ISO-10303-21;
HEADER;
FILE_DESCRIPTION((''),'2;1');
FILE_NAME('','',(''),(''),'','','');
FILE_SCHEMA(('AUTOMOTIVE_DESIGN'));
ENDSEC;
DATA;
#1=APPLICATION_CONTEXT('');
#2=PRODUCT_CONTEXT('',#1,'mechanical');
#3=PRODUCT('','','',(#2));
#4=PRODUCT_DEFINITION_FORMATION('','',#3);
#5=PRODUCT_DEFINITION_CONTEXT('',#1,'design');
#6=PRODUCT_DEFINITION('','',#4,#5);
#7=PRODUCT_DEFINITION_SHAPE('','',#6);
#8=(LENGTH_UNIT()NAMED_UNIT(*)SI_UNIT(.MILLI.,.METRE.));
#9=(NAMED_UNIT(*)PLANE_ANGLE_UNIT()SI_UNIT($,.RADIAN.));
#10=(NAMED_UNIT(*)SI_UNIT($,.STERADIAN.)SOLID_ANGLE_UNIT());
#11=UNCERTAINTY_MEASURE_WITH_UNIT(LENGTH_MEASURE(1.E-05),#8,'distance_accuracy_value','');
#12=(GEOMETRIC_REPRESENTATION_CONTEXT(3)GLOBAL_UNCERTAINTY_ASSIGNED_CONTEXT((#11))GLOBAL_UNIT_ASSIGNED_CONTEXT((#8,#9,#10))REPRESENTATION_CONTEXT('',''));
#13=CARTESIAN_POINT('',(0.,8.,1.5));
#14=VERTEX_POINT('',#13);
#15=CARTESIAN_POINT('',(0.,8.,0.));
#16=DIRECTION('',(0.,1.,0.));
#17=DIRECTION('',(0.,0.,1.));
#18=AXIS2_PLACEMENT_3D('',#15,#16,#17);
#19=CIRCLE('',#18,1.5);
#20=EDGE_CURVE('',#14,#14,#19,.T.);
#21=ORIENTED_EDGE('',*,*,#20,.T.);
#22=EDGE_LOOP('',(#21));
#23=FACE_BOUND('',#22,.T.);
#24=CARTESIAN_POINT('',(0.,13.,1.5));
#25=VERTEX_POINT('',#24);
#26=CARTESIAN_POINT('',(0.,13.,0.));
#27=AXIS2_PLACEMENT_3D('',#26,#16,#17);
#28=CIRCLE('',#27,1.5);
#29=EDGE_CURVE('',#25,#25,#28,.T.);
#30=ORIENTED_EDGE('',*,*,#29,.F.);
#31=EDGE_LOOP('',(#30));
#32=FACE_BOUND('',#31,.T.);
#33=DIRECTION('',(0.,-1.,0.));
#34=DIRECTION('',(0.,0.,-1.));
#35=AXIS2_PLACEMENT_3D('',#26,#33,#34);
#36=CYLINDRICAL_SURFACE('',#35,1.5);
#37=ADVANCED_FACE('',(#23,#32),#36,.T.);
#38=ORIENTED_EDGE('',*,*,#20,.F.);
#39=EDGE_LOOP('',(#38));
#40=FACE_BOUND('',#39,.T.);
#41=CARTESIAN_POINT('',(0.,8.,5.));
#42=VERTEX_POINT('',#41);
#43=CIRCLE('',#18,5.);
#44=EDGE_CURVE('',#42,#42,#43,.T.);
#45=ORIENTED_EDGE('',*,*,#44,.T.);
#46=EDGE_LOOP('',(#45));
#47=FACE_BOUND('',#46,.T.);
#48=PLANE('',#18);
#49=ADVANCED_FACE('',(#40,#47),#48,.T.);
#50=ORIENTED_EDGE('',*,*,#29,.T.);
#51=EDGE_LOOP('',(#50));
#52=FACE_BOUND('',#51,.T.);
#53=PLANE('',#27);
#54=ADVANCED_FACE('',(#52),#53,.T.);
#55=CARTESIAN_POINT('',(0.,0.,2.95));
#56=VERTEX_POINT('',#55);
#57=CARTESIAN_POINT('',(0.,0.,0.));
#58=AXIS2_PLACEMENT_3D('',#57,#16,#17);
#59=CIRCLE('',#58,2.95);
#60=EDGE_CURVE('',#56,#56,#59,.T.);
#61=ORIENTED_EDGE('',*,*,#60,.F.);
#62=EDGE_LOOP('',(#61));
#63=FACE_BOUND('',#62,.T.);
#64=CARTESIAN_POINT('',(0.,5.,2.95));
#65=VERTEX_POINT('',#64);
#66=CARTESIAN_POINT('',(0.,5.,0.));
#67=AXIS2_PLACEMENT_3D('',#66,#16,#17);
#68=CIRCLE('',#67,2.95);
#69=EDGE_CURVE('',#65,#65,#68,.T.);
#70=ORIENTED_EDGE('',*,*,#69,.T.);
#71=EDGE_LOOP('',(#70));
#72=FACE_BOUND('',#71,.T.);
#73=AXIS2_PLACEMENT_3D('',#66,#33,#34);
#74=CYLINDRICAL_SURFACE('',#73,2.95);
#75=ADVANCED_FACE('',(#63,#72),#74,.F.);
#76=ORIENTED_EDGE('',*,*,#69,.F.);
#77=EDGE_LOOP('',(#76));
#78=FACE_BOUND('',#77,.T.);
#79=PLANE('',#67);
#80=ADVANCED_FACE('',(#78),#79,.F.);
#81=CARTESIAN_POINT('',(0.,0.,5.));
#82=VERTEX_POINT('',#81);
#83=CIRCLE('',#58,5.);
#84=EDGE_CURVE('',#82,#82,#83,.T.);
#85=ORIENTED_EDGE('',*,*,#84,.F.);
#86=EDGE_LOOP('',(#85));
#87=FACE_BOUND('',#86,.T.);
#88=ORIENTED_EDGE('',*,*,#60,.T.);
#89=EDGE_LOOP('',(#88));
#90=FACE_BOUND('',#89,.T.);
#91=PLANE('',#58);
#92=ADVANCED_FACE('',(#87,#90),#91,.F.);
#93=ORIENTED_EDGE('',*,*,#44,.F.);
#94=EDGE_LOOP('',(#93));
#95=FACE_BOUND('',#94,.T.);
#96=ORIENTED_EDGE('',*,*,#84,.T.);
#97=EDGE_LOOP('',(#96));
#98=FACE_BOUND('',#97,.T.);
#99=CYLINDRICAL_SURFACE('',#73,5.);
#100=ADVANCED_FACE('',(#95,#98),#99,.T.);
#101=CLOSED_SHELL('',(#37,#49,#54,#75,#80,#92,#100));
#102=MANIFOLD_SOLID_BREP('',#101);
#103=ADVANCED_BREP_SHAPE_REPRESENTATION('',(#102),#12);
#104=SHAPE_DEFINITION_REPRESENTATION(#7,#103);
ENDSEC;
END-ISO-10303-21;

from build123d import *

# Parameters (mm, degrees)
SKETCH1_R           = 5
SKETCH1_R_2         = 2.95
BOSS_EXTRUDE1_DEPTH = 5
SKETCH2_R           = 5
BOSS_EXTRUDE2_DEPTH = 3
SKETCH3_R           = 1.5
BOSS_EXTRUDE3_DEPTH = 5


with BuildPart() as part:
    # Sketch1 → Boss-Extrude1 (new body)
    with BuildSketch(Plane(origin=(0, 0, 0), x_dir=(1, 0, 0), z_dir=(0, 1, 0))):
        with Locations(Location((0, 0, 0), (0, 0, 270))):
            Circle(SKETCH1_R)
        with Locations(Location((0, 0, 0), (0, 0, 270))):
            Circle(SKETCH1_R_2, mode=Mode.SUBTRACT)
    extrude(amount=BOSS_EXTRUDE1_DEPTH)

    # Sketch2 → Boss-Extrude2 (add)
    with BuildSketch(Plane(origin=(0, 5, 0), x_dir=(1, 0, 0), z_dir=(0, 1, 0))):
        with Locations(Location((0, 0, 0), (0, 0, 270))):
            Circle(SKETCH2_R)
    extrude(amount=BOSS_EXTRUDE2_DEPTH)

    # Sketch3 → Boss-Extrude3 (add)
    with BuildSketch(Plane(origin=(0, 8, 0), x_dir=(1, 0, 0), z_dir=(0, 1, 0))):
        with Locations(Location((0, 0, 0), (0, 0, 270))):
            Circle(SKETCH3_R)
    extrude(amount=BOSS_EXTRUDE3_DEPTH)


solid = part.part
